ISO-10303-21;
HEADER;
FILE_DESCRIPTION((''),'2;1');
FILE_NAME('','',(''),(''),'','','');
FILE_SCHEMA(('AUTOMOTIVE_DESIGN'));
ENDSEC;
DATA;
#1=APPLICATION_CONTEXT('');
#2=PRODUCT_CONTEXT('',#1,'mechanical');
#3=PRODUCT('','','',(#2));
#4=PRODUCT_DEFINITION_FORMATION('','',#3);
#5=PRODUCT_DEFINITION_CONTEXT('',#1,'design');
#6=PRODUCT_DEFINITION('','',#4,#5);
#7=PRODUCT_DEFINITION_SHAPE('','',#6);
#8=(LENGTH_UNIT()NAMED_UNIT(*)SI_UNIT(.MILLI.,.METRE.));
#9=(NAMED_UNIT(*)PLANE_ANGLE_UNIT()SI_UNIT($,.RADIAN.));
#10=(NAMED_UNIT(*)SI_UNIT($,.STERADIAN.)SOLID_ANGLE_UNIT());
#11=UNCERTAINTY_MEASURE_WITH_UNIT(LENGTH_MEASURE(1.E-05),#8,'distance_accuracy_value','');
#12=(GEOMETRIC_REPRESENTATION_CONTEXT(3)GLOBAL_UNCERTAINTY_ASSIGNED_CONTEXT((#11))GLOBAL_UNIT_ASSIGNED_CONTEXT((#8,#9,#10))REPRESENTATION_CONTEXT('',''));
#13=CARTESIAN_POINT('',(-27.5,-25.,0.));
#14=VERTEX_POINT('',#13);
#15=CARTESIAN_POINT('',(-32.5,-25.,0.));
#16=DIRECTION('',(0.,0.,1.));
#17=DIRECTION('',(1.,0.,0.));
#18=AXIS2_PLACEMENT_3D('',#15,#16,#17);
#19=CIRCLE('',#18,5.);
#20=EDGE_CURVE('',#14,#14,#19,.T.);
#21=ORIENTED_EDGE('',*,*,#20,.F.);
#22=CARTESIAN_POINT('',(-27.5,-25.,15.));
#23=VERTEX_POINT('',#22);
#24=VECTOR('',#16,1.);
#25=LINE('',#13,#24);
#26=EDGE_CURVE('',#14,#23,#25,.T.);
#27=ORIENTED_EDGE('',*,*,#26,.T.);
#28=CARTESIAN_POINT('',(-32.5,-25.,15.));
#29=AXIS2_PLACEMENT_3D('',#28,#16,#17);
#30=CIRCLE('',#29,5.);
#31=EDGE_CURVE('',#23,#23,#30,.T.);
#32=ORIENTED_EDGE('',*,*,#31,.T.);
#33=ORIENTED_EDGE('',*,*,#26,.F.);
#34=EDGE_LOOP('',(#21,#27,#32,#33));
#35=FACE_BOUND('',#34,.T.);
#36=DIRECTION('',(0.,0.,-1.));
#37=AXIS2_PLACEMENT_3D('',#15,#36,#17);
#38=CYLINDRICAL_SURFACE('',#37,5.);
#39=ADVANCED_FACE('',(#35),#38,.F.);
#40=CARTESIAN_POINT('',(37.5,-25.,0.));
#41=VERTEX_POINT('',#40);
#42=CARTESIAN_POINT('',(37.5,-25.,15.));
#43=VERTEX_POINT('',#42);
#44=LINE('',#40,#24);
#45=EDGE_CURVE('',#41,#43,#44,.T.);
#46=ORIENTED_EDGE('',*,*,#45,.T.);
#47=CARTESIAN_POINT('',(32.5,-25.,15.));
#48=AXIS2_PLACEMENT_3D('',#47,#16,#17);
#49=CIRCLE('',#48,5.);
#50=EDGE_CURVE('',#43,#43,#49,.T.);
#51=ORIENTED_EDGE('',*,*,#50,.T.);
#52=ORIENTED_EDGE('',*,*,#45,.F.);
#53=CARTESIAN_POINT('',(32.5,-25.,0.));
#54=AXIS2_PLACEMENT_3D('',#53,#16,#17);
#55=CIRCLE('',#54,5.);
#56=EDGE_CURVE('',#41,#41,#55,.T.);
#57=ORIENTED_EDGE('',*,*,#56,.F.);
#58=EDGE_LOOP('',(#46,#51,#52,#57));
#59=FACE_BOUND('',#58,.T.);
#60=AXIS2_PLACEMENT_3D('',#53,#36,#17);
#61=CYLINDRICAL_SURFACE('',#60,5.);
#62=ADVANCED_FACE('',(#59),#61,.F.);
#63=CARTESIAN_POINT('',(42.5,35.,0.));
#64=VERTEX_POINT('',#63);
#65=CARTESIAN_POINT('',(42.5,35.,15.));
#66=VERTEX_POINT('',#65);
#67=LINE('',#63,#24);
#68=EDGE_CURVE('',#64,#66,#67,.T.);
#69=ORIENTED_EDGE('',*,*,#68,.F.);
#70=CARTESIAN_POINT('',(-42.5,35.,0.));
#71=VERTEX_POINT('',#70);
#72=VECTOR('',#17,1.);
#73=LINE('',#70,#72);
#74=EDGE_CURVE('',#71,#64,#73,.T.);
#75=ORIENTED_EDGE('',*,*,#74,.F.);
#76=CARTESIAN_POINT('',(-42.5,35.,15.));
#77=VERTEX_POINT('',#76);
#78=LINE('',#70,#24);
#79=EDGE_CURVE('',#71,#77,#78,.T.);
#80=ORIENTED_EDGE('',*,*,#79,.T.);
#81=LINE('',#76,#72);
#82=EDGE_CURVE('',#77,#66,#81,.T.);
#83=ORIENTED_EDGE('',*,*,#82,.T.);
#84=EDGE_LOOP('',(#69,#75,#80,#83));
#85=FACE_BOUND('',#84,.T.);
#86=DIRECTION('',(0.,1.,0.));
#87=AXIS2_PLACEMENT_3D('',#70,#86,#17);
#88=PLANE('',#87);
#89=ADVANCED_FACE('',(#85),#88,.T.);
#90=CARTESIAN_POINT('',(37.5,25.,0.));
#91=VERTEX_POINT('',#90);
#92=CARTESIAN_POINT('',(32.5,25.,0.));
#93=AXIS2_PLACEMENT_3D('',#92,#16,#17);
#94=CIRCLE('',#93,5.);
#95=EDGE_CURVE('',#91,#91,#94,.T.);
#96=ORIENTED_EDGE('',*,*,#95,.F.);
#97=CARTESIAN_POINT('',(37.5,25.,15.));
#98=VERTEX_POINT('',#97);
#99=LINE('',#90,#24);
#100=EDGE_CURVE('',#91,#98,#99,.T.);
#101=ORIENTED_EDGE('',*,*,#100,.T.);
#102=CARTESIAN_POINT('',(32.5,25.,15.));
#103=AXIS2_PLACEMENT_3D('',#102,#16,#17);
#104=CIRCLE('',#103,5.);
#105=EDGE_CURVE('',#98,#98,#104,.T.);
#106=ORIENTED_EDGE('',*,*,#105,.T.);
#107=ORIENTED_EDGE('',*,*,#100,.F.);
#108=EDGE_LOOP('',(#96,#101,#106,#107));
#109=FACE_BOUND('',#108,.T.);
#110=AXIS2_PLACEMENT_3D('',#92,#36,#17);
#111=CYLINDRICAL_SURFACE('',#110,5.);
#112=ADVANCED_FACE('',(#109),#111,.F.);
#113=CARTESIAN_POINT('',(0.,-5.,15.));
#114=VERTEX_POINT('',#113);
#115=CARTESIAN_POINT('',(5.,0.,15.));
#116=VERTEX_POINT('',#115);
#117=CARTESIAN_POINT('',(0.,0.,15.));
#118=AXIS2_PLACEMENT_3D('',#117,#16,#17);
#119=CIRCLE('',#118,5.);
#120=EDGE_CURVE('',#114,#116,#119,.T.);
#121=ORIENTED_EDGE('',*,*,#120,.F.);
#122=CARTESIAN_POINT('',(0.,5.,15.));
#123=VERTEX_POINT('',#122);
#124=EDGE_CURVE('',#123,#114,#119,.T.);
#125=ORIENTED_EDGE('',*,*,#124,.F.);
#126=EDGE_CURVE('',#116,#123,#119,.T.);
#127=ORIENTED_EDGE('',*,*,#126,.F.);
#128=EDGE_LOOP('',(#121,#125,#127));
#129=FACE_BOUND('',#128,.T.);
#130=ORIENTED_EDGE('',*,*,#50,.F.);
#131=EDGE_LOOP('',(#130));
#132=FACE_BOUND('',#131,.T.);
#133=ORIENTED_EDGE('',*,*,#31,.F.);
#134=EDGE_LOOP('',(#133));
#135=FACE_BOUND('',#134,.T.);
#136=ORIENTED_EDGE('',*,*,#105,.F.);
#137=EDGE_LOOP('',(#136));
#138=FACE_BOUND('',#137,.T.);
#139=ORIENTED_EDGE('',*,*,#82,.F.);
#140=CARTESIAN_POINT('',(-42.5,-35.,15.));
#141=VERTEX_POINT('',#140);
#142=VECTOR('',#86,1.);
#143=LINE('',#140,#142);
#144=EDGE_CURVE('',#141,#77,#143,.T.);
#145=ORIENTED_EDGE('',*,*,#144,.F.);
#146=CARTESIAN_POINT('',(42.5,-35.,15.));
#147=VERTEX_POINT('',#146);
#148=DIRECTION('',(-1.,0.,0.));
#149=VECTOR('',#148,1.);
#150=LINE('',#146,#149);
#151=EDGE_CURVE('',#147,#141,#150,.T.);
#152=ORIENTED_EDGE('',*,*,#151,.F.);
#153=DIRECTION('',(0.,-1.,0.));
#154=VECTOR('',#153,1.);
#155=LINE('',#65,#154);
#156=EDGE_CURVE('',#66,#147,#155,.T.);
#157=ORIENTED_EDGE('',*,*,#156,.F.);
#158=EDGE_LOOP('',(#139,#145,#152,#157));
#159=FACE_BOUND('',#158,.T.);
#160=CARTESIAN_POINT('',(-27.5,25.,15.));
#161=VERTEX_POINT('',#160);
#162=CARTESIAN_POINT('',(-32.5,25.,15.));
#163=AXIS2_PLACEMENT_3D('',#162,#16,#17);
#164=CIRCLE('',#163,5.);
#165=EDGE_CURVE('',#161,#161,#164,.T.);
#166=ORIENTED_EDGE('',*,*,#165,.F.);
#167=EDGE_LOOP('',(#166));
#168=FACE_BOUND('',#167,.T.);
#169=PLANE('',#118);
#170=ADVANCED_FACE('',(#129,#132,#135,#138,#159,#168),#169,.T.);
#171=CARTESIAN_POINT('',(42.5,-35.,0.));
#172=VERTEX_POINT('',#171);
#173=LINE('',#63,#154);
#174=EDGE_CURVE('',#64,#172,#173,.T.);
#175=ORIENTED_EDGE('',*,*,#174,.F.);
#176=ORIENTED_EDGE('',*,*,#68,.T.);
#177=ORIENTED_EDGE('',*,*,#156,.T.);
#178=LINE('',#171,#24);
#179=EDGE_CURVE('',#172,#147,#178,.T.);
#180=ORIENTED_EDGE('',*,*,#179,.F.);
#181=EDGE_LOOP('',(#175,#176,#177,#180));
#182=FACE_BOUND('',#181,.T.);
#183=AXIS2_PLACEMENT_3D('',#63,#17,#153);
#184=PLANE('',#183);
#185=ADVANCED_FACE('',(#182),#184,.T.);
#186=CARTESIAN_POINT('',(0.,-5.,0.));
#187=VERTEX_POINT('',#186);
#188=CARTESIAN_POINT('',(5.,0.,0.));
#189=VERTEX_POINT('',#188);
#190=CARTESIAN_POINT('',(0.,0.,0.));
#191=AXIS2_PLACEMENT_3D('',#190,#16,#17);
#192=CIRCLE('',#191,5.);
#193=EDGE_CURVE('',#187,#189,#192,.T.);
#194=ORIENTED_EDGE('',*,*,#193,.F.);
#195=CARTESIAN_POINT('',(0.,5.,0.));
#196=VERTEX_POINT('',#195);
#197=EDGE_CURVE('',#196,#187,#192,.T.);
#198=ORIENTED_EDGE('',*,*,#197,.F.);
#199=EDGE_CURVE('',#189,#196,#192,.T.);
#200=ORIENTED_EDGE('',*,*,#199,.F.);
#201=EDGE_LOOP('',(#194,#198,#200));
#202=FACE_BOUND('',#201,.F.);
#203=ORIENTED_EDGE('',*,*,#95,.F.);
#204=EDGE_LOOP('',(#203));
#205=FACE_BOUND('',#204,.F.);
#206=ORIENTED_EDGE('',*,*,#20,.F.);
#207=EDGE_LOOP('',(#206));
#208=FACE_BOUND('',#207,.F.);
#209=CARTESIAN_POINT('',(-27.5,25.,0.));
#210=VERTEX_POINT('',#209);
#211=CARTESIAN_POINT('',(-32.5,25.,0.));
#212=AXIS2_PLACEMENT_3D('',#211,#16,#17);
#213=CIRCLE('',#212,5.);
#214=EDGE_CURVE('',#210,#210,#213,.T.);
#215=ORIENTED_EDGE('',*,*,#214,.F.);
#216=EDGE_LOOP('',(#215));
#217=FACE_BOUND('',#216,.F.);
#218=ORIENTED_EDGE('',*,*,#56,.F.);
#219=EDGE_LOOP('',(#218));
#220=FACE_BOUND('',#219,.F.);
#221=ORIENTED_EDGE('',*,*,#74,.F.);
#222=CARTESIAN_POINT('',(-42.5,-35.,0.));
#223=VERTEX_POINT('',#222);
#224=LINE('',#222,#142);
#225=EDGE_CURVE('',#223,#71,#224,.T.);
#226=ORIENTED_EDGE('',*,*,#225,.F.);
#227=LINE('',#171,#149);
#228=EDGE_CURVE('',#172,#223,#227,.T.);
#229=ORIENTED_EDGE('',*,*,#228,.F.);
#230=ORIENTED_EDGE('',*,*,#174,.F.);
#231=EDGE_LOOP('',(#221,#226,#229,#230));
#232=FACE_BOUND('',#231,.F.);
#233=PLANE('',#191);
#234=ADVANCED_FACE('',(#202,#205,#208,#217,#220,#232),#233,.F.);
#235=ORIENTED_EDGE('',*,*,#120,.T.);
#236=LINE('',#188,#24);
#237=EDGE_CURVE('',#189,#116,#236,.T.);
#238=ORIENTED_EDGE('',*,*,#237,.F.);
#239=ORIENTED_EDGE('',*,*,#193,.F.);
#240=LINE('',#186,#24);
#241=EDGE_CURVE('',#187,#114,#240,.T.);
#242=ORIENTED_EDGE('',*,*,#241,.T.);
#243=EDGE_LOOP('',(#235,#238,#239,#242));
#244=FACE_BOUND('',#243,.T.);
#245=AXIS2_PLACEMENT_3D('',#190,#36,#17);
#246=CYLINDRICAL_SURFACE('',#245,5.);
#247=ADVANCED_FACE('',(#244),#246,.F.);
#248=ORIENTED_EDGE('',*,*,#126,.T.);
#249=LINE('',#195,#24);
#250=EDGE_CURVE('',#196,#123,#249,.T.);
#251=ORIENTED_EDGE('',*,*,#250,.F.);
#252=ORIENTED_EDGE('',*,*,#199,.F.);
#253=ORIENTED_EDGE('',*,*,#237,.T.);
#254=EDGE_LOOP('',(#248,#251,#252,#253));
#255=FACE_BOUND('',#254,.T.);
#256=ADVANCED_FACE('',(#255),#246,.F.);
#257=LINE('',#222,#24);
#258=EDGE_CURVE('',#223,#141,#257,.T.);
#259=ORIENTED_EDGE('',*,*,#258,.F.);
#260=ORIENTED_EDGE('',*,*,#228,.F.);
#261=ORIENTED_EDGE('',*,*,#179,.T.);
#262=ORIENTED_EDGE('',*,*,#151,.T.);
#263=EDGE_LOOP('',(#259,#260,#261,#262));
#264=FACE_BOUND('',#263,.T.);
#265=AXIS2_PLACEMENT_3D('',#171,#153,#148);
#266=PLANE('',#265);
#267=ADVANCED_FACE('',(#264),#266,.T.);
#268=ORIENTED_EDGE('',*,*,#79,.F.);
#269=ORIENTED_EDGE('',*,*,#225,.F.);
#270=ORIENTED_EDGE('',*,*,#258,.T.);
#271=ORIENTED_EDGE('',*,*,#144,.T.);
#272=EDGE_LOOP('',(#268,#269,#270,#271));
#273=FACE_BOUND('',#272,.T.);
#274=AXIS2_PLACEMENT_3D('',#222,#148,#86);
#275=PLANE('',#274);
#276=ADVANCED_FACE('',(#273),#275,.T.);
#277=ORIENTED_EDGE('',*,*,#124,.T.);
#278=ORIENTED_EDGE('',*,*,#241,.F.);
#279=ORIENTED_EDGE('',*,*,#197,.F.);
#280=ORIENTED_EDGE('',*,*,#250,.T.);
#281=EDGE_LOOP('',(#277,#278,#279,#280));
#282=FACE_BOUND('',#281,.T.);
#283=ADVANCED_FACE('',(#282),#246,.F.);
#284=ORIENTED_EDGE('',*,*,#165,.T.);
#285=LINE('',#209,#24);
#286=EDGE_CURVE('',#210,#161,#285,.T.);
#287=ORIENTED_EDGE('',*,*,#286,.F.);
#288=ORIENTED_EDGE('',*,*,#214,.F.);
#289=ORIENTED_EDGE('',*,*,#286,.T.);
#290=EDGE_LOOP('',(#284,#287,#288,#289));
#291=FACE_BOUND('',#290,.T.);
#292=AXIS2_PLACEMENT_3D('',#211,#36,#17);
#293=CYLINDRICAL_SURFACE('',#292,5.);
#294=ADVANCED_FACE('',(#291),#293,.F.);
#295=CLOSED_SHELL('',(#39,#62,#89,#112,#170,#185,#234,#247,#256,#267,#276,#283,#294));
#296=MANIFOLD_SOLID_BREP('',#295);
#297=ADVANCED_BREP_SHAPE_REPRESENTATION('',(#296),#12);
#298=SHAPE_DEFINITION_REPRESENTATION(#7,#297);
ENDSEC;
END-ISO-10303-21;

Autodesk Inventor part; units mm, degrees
ref_plane "YZ Plane" through (0, 0, 0) normal (1, 0, 0) x (0, 1, 0)
ref_plane "XZ Plane" through (0, 0, 0) normal (0, 1, 0) x (-1, 0, 0)
ref_plane "XY Plane" through (0, 0, 0) normal (0, 0, 1) x (1, 0, 0)
sketch "Sketch1" plane through (0, 0, 0) normal (0, 0, 1) x (1, 0, 0)
  circle A0 centre (0, 0) radius 5
  line L0 (-42.5, 35) -> (42.5, 35)
  line L1 (42.5, 35) -> (42.5, -35)
  line L2 (42.5, -35) -> (-42.5, -35)
  line L3 (-42.5, -35) -> (-42.5, 35)
  line L4 (42.5, 35) -> (-42.5, -35) construction
  line L5 (0, 15) -> (0, -15)
  circle A1 centre (-32.5, 25) radius 5
  circle A2 centre (32.5, 25) radius 5
  circle A3 centre (-32.5, -25) radius 5
  circle A4 centre (32.5, -25) radius 5
  dimension "d0" = 10
  dimension "d1" = 70
  dimension "d2" = 85
  dimension "d3" = 15
  dimension "d4" = 30
  dimension "d5" = 10
  dimension "d6" = 10
  dimension "d7" = 10
  dimension "d8" = 10
  dimension "d11" = 65
extrude "Extrusion1" add sketch "Sketch1" along normal blind 15
properties part number "dudukan u bolt" material "Steel, Mild"
